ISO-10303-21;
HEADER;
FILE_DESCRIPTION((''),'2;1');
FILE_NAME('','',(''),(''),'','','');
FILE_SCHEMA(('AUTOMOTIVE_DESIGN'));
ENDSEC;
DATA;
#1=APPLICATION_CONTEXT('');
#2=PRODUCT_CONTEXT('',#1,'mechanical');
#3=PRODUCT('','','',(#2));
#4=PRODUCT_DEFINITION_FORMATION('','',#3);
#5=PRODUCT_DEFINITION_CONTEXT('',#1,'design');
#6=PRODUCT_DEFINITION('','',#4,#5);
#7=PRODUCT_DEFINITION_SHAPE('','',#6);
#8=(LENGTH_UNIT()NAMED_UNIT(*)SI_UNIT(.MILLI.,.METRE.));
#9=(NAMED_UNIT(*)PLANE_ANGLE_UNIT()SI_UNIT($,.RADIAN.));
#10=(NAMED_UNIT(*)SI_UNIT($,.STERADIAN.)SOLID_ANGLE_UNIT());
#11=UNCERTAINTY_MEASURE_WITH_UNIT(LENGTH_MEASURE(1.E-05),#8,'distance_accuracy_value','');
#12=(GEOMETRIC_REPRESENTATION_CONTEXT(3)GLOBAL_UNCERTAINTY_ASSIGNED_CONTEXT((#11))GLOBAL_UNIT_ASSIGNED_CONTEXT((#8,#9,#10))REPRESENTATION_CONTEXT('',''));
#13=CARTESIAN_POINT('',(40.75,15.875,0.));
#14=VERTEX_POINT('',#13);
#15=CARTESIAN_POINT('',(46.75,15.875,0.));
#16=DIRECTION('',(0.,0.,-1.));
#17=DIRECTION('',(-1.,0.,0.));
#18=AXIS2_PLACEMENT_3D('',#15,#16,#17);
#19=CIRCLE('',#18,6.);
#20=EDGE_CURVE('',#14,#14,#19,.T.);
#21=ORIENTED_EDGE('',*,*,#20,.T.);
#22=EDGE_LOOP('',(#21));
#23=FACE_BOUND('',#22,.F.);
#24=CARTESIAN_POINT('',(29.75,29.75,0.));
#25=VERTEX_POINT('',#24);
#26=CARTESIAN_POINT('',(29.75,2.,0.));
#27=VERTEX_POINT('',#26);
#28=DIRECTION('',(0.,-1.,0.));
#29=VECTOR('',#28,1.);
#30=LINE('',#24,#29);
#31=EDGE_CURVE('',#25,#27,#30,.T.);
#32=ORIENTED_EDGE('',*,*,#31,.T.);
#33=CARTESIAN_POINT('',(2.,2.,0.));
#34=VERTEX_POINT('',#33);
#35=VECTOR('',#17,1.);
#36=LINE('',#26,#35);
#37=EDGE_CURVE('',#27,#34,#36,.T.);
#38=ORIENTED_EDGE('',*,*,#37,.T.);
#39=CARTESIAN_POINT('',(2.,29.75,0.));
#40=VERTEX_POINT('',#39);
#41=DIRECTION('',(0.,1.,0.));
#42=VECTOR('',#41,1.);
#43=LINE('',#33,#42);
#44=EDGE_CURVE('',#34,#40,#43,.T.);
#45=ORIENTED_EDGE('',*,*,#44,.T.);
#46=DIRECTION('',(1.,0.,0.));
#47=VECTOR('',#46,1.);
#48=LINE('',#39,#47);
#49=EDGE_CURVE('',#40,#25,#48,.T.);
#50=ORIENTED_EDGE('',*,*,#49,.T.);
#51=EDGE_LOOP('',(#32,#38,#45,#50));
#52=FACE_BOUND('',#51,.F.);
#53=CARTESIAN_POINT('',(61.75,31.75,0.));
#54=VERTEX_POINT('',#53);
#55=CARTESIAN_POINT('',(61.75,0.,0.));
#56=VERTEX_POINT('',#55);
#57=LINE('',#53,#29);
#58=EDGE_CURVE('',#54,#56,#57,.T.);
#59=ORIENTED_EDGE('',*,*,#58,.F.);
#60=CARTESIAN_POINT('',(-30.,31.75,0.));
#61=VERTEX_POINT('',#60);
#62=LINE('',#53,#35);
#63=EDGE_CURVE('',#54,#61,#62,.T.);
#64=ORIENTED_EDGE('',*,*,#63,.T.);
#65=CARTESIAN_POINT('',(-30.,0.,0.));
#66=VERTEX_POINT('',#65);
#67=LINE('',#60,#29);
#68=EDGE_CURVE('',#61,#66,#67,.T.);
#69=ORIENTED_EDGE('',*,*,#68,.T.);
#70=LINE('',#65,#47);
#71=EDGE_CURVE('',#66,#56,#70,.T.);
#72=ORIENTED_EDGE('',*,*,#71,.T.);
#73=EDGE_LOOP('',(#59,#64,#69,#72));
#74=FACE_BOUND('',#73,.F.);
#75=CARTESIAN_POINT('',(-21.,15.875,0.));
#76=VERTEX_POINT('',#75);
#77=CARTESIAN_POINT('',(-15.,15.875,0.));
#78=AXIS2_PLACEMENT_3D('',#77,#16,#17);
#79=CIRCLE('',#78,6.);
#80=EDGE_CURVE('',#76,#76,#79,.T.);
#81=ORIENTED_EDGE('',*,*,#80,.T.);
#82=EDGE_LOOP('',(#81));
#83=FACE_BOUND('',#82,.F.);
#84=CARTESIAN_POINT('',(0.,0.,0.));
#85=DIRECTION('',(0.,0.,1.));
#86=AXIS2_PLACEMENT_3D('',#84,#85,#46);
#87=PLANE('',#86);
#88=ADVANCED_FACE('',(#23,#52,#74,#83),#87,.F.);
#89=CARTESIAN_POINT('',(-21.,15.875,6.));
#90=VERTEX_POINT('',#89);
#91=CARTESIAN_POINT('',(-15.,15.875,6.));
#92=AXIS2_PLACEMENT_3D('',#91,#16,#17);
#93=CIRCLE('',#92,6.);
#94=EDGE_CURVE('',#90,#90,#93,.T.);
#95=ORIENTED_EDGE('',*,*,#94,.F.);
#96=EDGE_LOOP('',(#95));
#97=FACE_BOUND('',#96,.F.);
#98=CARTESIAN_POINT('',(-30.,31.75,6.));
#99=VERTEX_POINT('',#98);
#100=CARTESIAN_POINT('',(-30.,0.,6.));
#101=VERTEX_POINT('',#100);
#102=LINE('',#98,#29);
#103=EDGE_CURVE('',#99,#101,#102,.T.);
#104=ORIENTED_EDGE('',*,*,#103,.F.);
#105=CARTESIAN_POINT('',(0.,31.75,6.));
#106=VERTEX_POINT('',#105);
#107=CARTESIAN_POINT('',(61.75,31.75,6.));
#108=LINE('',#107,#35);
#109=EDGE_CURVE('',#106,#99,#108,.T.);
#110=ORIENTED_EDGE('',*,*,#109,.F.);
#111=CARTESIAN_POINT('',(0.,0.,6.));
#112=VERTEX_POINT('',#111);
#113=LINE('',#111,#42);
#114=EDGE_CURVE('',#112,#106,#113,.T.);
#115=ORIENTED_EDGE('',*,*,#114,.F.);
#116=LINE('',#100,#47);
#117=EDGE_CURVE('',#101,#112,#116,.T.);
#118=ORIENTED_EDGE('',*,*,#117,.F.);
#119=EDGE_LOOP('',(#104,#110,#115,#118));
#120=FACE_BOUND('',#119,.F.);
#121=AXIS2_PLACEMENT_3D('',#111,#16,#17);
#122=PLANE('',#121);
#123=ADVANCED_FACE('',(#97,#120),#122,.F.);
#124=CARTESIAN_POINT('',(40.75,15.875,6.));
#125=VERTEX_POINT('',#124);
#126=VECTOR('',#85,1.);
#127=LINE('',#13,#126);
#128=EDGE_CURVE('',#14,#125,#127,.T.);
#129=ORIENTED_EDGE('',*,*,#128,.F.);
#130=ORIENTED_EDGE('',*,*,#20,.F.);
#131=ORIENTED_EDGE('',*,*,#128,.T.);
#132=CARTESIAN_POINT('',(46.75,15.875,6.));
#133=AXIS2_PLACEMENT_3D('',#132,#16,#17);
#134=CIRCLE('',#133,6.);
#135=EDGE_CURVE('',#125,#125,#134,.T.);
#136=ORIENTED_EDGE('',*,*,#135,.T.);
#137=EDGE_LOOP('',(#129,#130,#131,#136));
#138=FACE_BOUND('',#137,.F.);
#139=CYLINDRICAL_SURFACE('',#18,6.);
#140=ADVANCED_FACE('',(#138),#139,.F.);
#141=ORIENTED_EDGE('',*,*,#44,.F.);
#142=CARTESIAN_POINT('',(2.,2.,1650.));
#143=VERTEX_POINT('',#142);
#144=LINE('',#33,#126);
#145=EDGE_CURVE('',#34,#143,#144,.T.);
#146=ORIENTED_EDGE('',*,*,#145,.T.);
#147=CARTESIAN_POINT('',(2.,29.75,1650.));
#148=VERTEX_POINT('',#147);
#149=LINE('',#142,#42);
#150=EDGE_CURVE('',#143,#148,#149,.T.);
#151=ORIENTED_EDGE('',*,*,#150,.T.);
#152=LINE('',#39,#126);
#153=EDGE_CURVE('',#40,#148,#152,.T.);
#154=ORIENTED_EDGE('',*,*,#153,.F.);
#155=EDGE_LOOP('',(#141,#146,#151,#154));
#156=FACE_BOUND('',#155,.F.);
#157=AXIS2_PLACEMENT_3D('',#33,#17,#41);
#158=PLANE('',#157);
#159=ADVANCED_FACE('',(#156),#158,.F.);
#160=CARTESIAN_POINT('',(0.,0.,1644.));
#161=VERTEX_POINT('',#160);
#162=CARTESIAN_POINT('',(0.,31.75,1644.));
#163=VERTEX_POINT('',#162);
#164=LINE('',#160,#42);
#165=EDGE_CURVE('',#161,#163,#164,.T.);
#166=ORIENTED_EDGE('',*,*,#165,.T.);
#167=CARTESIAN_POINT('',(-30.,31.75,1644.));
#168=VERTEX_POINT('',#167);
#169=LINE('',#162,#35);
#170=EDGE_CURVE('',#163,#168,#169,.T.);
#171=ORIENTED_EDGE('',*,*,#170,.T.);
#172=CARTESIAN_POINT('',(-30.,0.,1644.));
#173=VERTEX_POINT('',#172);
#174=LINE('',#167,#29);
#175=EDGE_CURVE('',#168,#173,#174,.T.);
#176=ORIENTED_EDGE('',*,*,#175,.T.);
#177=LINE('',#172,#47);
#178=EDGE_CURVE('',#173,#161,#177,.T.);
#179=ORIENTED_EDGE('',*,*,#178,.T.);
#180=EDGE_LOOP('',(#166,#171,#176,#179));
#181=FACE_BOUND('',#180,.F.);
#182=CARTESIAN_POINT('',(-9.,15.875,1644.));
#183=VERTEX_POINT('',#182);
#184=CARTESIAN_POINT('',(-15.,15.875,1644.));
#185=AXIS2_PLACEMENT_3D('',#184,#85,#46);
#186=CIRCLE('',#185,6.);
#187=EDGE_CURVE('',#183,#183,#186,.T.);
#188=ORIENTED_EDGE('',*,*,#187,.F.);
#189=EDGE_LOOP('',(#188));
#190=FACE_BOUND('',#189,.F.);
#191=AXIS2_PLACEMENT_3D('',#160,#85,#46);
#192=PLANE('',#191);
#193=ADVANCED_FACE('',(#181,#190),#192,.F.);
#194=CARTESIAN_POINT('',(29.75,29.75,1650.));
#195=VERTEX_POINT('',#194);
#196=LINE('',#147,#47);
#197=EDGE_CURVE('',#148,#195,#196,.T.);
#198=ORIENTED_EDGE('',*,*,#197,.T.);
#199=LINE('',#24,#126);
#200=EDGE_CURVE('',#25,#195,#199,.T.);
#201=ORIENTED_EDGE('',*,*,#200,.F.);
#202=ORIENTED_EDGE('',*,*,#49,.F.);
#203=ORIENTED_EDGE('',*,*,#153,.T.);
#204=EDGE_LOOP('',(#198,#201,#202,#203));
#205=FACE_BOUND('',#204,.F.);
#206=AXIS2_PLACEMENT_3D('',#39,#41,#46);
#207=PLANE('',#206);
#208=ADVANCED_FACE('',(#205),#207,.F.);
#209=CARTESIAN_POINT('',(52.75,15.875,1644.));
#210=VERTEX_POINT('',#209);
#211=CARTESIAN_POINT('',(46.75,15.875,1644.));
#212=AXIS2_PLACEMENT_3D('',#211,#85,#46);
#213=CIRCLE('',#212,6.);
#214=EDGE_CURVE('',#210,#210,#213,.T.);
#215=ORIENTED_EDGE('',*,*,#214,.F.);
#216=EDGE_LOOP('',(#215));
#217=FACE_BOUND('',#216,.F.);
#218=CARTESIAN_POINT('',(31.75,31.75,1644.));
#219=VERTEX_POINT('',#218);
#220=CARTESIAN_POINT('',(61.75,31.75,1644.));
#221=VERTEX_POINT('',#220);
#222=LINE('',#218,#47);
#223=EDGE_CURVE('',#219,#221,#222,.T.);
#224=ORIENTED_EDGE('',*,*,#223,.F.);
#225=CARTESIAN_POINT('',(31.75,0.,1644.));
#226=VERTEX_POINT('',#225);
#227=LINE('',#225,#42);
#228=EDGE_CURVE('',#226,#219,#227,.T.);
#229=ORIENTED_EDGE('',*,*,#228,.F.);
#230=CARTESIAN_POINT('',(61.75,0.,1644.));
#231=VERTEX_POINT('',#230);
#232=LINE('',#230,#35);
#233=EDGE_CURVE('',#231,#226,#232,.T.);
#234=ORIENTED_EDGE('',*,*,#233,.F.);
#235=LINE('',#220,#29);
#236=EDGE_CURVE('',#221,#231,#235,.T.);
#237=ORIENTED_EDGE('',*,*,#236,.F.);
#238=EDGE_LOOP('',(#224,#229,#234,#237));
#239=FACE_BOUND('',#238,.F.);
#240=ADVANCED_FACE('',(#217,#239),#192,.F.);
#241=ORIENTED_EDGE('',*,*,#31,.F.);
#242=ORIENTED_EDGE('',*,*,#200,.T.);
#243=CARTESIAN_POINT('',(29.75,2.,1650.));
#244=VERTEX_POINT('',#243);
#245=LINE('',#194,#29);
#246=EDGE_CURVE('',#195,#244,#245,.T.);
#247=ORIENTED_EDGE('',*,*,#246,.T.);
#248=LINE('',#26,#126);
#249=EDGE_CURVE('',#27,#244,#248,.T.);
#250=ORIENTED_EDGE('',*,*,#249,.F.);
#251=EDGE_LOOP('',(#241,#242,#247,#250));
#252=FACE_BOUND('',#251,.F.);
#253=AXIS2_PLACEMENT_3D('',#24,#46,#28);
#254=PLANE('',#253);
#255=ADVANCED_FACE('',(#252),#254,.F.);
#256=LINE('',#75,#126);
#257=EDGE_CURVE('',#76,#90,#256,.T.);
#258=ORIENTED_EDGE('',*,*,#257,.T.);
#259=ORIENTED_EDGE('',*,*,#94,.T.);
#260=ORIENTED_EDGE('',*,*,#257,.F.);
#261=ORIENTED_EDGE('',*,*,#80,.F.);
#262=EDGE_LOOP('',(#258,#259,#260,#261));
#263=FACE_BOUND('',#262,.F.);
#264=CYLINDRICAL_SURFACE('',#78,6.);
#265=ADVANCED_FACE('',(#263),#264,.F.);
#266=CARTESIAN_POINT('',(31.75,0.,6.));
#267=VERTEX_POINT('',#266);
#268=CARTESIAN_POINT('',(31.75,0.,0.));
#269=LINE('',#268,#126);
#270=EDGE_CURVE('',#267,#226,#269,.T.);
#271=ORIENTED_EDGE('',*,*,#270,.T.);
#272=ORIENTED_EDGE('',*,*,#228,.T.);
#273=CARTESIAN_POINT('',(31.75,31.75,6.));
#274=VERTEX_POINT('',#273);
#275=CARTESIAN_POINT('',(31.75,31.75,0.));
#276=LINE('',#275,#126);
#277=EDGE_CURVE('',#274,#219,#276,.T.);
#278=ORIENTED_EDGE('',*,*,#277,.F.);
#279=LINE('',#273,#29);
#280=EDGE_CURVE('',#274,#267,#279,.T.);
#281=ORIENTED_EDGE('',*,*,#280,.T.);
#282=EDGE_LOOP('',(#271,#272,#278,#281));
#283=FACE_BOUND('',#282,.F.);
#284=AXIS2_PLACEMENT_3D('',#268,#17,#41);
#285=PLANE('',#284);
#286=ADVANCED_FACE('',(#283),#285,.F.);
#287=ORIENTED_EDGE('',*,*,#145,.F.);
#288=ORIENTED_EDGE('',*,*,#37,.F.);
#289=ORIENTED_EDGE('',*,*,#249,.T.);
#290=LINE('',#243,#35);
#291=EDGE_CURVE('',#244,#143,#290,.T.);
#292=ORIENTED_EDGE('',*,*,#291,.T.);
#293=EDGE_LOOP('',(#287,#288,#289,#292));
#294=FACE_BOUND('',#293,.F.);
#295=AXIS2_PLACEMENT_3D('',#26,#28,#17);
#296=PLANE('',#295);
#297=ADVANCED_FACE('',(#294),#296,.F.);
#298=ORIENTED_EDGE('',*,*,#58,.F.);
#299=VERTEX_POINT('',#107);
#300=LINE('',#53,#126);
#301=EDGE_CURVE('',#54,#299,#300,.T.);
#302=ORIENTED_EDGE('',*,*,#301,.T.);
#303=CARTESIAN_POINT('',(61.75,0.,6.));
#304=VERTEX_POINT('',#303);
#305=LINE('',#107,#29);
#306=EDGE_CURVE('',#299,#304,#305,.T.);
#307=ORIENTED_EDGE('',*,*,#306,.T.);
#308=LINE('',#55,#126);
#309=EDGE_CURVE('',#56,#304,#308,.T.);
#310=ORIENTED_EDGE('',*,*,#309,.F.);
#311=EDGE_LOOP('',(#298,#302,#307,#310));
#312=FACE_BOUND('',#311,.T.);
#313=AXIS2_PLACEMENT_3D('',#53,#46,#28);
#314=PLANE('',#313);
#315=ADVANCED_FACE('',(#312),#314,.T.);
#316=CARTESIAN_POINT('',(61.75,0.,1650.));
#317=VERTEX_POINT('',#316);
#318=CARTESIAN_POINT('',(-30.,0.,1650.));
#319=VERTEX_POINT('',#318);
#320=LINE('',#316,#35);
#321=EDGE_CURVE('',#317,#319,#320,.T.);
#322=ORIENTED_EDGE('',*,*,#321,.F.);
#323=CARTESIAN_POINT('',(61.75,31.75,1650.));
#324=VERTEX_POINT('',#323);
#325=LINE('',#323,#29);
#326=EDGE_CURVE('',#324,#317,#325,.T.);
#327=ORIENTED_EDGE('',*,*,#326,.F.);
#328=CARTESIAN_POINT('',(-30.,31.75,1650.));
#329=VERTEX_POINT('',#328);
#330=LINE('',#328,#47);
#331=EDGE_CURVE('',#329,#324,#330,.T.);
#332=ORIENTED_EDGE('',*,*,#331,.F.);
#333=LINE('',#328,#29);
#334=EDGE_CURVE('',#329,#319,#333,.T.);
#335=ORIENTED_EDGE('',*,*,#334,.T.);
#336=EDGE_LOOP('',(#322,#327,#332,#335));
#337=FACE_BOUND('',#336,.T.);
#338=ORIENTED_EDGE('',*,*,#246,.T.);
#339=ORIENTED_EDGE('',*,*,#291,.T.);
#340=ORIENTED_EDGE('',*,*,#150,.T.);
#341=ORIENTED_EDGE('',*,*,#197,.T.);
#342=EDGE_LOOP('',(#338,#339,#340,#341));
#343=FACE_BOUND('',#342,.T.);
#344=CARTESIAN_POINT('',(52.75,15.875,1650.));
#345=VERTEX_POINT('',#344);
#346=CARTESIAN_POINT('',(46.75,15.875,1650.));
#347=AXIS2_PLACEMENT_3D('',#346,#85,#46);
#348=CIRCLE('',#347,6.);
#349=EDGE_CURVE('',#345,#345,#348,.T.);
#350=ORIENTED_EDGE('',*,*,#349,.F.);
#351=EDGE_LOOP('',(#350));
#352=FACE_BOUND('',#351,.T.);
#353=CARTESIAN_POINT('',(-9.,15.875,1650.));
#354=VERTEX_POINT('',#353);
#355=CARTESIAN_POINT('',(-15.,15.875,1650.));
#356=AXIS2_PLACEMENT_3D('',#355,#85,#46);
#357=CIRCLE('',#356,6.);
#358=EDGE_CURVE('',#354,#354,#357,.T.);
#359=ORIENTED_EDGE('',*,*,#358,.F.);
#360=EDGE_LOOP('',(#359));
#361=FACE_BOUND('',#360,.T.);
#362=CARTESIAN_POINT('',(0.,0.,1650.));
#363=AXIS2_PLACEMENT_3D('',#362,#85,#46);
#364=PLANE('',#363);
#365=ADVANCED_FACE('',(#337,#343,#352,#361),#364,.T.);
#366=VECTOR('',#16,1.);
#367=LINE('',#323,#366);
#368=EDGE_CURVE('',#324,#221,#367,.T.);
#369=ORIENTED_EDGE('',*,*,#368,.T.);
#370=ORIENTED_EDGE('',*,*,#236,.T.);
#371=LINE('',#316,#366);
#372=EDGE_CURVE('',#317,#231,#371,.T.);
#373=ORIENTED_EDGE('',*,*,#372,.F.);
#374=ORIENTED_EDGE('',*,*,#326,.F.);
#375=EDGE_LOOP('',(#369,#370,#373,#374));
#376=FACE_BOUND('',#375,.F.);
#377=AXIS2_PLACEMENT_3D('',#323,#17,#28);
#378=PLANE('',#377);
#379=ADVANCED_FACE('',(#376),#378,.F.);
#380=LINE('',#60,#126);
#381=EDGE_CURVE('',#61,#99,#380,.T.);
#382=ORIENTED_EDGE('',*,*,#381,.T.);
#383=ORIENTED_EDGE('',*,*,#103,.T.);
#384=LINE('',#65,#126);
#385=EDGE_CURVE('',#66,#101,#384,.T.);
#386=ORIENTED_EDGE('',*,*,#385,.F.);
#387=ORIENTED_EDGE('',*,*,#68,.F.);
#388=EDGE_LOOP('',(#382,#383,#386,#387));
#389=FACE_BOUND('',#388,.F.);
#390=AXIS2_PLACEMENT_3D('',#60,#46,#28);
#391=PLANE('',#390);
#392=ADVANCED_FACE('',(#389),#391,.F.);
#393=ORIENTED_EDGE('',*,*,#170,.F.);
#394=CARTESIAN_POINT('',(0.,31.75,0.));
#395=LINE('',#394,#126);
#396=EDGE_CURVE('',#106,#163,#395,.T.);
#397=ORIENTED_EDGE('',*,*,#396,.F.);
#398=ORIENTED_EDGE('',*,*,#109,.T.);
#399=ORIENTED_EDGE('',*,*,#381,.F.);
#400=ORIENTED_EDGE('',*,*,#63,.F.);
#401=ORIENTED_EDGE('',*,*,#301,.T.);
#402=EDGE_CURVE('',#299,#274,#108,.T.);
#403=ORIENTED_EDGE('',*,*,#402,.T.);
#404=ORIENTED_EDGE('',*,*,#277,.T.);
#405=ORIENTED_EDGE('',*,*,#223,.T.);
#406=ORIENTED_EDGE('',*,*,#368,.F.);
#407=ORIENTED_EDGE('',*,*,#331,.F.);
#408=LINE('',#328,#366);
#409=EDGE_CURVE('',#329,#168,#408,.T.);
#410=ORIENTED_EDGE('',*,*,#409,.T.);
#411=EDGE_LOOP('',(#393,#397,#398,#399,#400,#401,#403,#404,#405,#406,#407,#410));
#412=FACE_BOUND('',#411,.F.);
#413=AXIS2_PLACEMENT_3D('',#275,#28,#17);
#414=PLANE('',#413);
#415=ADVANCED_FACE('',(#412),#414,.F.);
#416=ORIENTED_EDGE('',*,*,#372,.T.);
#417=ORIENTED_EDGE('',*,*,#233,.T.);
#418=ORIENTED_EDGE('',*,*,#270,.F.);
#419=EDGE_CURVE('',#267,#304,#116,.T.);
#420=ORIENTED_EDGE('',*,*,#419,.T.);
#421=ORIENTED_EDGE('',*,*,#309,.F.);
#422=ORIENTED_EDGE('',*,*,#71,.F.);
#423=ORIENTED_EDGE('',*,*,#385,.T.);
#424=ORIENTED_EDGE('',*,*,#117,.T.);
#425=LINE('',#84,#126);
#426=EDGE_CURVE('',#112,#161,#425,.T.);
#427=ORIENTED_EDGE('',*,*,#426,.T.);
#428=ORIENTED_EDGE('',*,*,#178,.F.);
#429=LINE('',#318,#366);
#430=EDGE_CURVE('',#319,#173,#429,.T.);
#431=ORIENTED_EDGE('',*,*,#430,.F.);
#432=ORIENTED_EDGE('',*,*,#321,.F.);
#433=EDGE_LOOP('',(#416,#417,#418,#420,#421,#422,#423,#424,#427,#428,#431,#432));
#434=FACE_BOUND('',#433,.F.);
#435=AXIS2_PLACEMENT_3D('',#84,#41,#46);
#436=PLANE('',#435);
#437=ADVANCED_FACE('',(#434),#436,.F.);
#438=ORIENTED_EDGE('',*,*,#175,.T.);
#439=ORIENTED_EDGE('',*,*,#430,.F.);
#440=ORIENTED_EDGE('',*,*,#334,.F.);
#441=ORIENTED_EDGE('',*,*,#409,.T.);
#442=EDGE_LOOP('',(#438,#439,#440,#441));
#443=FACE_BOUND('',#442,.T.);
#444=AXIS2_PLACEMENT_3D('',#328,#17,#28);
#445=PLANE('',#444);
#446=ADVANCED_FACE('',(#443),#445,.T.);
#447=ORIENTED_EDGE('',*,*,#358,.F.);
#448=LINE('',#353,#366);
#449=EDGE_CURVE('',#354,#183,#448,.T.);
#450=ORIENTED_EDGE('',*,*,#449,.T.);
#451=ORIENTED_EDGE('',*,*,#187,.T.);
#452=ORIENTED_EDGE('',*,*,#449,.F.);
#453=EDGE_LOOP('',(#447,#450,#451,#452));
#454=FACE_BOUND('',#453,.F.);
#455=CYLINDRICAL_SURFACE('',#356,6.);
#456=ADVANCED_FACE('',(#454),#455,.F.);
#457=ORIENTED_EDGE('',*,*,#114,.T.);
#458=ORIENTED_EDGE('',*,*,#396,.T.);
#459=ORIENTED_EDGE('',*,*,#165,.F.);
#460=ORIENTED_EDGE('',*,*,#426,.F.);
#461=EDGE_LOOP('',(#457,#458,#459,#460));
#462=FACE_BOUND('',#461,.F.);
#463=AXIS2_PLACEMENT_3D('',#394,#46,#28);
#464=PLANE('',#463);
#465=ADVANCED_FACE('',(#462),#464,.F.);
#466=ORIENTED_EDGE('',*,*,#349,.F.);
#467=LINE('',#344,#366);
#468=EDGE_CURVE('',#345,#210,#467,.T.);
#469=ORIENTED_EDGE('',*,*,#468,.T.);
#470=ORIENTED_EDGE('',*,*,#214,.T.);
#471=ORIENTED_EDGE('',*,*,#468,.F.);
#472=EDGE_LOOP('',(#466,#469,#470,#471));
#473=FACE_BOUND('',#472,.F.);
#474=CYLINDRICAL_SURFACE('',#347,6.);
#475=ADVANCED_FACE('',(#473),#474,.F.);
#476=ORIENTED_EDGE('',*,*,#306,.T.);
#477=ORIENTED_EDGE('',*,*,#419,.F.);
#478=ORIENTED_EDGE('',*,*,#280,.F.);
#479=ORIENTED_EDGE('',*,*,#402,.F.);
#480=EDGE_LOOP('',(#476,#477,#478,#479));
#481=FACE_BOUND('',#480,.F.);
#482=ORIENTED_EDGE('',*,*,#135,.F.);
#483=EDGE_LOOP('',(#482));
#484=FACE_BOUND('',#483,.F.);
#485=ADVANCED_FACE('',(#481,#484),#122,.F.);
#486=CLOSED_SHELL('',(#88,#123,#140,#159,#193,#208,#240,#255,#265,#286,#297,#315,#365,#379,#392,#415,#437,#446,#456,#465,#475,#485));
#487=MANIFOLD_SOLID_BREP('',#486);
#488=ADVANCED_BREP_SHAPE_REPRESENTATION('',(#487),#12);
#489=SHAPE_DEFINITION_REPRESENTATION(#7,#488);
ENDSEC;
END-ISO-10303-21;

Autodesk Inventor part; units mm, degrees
ref_plane "YZ Plane" through (0, 0, 0) normal (1, 0, 0) x (0, 1, 0)
ref_plane "XZ Plane" through (0, 0, 0) normal (0, 1, 0) x (-1, 0, 0)
ref_plane "XY Plane" through (0, 0, 0) normal (0, 0, 1) x (1, 0, 0)
sketch "Sketch2" plane through (0, 0, 0) normal (0, 0, 1) x (1, 0, 0)
  line L0 (0, 0) -> (31.75, 0)
  line L1 (31.75, 0) -> (31.75, 31.75)
  line L2 (31.75, 31.75) -> (0, 31.75)
  line L3 (0, 31.75) -> (0, 0)
  line L4 (2, 29.75) -> (29.75, 29.75)
  line L5 (29.75, 29.75) -> (29.75, 2)
  line L6 (29.75, 2) -> (2, 2)
  line L7 (2, 2) -> (2, 29.75)
  dimension "d0" = 31.75
  dimension "d1" = 31.75
  dimension "d2" = 2
extrude "Extrusion1" add sketch "Sketch2" along normal blind 1650
sketch "Sketch3" plane through (0, 0, 1650) normal (0, 0, 1) x (1, 0, 0)
  line L0 (31.75, 31.75) -> (0, 31.75) projected
  line L1 (0, 31.75) -> (-30, 31.75)
  line L2 (-30, 31.75) -> (-30, 0)
  line L3 (-30, 0) -> (0, 0)
  line L4 (0, 0) -> (0, 31.75)
  line L5 (31.75, 31.75) -> (61.75, 31.75)
  line L6 (61.75, 31.75) -> (61.75, 0)
  line L7 (61.75, 0) -> (31.75, 0)
  line L8 (31.75, 0) -> (31.75, 31.75)
  circle A0 centre (-15, 15.875) radius 6
  circle A1 centre (46.75, 15.875) radius 6
  dimension "d5" = 30
  dimension "d6" = 30
  dimension "d7" = 12
  dimension "d8" = 12
extrude "Extrusion2" add sketch "Sketch3" against normal blind 6
sketch "Sketch4" plane through (0, 0, 0) normal (0, 0, -1) x (-1, 0, 0)
  line L0 (-61.75, 31.75) -> (30, 31.75) projected
  line L1 (30, 0) -> (-61.75, 0) projected
  line L2 (0, 31.75) -> (30, 31.75)
  line L3 (30, 31.75) -> (30, 0)
  line L4 (30, 0) -> (0, 0)
  line L5 (0, 0) -> (0, 31.75)
  line L6 (-31.75, 31.75) -> (-31.75, 0) projected
  line L7 (-31.75, 31.75) -> (-61.75, 31.75)
  line L8 (-61.75, 31.75) -> (-61.75, 0)
  line L9 (-61.75, 0) -> (-31.75, 0)
  line L10 (-31.75, 0) -> (-31.75, 31.75)
  circle A0 centre (-46.75, 15.875) radius 6 projected
  circle A1 centre (-46.75, 15.875) radius 6
  circle A2 centre (15, 15.875) radius 6
  dimension "d11" = 30
  dimension "d12" = 12
extrude "Extrusion3" add sketch "Sketch4" against normal blind 6 contours L0 L6 L1 L8 | L0 L3 L1 L5
properties part number "Bases_Perfiles_Acero"
